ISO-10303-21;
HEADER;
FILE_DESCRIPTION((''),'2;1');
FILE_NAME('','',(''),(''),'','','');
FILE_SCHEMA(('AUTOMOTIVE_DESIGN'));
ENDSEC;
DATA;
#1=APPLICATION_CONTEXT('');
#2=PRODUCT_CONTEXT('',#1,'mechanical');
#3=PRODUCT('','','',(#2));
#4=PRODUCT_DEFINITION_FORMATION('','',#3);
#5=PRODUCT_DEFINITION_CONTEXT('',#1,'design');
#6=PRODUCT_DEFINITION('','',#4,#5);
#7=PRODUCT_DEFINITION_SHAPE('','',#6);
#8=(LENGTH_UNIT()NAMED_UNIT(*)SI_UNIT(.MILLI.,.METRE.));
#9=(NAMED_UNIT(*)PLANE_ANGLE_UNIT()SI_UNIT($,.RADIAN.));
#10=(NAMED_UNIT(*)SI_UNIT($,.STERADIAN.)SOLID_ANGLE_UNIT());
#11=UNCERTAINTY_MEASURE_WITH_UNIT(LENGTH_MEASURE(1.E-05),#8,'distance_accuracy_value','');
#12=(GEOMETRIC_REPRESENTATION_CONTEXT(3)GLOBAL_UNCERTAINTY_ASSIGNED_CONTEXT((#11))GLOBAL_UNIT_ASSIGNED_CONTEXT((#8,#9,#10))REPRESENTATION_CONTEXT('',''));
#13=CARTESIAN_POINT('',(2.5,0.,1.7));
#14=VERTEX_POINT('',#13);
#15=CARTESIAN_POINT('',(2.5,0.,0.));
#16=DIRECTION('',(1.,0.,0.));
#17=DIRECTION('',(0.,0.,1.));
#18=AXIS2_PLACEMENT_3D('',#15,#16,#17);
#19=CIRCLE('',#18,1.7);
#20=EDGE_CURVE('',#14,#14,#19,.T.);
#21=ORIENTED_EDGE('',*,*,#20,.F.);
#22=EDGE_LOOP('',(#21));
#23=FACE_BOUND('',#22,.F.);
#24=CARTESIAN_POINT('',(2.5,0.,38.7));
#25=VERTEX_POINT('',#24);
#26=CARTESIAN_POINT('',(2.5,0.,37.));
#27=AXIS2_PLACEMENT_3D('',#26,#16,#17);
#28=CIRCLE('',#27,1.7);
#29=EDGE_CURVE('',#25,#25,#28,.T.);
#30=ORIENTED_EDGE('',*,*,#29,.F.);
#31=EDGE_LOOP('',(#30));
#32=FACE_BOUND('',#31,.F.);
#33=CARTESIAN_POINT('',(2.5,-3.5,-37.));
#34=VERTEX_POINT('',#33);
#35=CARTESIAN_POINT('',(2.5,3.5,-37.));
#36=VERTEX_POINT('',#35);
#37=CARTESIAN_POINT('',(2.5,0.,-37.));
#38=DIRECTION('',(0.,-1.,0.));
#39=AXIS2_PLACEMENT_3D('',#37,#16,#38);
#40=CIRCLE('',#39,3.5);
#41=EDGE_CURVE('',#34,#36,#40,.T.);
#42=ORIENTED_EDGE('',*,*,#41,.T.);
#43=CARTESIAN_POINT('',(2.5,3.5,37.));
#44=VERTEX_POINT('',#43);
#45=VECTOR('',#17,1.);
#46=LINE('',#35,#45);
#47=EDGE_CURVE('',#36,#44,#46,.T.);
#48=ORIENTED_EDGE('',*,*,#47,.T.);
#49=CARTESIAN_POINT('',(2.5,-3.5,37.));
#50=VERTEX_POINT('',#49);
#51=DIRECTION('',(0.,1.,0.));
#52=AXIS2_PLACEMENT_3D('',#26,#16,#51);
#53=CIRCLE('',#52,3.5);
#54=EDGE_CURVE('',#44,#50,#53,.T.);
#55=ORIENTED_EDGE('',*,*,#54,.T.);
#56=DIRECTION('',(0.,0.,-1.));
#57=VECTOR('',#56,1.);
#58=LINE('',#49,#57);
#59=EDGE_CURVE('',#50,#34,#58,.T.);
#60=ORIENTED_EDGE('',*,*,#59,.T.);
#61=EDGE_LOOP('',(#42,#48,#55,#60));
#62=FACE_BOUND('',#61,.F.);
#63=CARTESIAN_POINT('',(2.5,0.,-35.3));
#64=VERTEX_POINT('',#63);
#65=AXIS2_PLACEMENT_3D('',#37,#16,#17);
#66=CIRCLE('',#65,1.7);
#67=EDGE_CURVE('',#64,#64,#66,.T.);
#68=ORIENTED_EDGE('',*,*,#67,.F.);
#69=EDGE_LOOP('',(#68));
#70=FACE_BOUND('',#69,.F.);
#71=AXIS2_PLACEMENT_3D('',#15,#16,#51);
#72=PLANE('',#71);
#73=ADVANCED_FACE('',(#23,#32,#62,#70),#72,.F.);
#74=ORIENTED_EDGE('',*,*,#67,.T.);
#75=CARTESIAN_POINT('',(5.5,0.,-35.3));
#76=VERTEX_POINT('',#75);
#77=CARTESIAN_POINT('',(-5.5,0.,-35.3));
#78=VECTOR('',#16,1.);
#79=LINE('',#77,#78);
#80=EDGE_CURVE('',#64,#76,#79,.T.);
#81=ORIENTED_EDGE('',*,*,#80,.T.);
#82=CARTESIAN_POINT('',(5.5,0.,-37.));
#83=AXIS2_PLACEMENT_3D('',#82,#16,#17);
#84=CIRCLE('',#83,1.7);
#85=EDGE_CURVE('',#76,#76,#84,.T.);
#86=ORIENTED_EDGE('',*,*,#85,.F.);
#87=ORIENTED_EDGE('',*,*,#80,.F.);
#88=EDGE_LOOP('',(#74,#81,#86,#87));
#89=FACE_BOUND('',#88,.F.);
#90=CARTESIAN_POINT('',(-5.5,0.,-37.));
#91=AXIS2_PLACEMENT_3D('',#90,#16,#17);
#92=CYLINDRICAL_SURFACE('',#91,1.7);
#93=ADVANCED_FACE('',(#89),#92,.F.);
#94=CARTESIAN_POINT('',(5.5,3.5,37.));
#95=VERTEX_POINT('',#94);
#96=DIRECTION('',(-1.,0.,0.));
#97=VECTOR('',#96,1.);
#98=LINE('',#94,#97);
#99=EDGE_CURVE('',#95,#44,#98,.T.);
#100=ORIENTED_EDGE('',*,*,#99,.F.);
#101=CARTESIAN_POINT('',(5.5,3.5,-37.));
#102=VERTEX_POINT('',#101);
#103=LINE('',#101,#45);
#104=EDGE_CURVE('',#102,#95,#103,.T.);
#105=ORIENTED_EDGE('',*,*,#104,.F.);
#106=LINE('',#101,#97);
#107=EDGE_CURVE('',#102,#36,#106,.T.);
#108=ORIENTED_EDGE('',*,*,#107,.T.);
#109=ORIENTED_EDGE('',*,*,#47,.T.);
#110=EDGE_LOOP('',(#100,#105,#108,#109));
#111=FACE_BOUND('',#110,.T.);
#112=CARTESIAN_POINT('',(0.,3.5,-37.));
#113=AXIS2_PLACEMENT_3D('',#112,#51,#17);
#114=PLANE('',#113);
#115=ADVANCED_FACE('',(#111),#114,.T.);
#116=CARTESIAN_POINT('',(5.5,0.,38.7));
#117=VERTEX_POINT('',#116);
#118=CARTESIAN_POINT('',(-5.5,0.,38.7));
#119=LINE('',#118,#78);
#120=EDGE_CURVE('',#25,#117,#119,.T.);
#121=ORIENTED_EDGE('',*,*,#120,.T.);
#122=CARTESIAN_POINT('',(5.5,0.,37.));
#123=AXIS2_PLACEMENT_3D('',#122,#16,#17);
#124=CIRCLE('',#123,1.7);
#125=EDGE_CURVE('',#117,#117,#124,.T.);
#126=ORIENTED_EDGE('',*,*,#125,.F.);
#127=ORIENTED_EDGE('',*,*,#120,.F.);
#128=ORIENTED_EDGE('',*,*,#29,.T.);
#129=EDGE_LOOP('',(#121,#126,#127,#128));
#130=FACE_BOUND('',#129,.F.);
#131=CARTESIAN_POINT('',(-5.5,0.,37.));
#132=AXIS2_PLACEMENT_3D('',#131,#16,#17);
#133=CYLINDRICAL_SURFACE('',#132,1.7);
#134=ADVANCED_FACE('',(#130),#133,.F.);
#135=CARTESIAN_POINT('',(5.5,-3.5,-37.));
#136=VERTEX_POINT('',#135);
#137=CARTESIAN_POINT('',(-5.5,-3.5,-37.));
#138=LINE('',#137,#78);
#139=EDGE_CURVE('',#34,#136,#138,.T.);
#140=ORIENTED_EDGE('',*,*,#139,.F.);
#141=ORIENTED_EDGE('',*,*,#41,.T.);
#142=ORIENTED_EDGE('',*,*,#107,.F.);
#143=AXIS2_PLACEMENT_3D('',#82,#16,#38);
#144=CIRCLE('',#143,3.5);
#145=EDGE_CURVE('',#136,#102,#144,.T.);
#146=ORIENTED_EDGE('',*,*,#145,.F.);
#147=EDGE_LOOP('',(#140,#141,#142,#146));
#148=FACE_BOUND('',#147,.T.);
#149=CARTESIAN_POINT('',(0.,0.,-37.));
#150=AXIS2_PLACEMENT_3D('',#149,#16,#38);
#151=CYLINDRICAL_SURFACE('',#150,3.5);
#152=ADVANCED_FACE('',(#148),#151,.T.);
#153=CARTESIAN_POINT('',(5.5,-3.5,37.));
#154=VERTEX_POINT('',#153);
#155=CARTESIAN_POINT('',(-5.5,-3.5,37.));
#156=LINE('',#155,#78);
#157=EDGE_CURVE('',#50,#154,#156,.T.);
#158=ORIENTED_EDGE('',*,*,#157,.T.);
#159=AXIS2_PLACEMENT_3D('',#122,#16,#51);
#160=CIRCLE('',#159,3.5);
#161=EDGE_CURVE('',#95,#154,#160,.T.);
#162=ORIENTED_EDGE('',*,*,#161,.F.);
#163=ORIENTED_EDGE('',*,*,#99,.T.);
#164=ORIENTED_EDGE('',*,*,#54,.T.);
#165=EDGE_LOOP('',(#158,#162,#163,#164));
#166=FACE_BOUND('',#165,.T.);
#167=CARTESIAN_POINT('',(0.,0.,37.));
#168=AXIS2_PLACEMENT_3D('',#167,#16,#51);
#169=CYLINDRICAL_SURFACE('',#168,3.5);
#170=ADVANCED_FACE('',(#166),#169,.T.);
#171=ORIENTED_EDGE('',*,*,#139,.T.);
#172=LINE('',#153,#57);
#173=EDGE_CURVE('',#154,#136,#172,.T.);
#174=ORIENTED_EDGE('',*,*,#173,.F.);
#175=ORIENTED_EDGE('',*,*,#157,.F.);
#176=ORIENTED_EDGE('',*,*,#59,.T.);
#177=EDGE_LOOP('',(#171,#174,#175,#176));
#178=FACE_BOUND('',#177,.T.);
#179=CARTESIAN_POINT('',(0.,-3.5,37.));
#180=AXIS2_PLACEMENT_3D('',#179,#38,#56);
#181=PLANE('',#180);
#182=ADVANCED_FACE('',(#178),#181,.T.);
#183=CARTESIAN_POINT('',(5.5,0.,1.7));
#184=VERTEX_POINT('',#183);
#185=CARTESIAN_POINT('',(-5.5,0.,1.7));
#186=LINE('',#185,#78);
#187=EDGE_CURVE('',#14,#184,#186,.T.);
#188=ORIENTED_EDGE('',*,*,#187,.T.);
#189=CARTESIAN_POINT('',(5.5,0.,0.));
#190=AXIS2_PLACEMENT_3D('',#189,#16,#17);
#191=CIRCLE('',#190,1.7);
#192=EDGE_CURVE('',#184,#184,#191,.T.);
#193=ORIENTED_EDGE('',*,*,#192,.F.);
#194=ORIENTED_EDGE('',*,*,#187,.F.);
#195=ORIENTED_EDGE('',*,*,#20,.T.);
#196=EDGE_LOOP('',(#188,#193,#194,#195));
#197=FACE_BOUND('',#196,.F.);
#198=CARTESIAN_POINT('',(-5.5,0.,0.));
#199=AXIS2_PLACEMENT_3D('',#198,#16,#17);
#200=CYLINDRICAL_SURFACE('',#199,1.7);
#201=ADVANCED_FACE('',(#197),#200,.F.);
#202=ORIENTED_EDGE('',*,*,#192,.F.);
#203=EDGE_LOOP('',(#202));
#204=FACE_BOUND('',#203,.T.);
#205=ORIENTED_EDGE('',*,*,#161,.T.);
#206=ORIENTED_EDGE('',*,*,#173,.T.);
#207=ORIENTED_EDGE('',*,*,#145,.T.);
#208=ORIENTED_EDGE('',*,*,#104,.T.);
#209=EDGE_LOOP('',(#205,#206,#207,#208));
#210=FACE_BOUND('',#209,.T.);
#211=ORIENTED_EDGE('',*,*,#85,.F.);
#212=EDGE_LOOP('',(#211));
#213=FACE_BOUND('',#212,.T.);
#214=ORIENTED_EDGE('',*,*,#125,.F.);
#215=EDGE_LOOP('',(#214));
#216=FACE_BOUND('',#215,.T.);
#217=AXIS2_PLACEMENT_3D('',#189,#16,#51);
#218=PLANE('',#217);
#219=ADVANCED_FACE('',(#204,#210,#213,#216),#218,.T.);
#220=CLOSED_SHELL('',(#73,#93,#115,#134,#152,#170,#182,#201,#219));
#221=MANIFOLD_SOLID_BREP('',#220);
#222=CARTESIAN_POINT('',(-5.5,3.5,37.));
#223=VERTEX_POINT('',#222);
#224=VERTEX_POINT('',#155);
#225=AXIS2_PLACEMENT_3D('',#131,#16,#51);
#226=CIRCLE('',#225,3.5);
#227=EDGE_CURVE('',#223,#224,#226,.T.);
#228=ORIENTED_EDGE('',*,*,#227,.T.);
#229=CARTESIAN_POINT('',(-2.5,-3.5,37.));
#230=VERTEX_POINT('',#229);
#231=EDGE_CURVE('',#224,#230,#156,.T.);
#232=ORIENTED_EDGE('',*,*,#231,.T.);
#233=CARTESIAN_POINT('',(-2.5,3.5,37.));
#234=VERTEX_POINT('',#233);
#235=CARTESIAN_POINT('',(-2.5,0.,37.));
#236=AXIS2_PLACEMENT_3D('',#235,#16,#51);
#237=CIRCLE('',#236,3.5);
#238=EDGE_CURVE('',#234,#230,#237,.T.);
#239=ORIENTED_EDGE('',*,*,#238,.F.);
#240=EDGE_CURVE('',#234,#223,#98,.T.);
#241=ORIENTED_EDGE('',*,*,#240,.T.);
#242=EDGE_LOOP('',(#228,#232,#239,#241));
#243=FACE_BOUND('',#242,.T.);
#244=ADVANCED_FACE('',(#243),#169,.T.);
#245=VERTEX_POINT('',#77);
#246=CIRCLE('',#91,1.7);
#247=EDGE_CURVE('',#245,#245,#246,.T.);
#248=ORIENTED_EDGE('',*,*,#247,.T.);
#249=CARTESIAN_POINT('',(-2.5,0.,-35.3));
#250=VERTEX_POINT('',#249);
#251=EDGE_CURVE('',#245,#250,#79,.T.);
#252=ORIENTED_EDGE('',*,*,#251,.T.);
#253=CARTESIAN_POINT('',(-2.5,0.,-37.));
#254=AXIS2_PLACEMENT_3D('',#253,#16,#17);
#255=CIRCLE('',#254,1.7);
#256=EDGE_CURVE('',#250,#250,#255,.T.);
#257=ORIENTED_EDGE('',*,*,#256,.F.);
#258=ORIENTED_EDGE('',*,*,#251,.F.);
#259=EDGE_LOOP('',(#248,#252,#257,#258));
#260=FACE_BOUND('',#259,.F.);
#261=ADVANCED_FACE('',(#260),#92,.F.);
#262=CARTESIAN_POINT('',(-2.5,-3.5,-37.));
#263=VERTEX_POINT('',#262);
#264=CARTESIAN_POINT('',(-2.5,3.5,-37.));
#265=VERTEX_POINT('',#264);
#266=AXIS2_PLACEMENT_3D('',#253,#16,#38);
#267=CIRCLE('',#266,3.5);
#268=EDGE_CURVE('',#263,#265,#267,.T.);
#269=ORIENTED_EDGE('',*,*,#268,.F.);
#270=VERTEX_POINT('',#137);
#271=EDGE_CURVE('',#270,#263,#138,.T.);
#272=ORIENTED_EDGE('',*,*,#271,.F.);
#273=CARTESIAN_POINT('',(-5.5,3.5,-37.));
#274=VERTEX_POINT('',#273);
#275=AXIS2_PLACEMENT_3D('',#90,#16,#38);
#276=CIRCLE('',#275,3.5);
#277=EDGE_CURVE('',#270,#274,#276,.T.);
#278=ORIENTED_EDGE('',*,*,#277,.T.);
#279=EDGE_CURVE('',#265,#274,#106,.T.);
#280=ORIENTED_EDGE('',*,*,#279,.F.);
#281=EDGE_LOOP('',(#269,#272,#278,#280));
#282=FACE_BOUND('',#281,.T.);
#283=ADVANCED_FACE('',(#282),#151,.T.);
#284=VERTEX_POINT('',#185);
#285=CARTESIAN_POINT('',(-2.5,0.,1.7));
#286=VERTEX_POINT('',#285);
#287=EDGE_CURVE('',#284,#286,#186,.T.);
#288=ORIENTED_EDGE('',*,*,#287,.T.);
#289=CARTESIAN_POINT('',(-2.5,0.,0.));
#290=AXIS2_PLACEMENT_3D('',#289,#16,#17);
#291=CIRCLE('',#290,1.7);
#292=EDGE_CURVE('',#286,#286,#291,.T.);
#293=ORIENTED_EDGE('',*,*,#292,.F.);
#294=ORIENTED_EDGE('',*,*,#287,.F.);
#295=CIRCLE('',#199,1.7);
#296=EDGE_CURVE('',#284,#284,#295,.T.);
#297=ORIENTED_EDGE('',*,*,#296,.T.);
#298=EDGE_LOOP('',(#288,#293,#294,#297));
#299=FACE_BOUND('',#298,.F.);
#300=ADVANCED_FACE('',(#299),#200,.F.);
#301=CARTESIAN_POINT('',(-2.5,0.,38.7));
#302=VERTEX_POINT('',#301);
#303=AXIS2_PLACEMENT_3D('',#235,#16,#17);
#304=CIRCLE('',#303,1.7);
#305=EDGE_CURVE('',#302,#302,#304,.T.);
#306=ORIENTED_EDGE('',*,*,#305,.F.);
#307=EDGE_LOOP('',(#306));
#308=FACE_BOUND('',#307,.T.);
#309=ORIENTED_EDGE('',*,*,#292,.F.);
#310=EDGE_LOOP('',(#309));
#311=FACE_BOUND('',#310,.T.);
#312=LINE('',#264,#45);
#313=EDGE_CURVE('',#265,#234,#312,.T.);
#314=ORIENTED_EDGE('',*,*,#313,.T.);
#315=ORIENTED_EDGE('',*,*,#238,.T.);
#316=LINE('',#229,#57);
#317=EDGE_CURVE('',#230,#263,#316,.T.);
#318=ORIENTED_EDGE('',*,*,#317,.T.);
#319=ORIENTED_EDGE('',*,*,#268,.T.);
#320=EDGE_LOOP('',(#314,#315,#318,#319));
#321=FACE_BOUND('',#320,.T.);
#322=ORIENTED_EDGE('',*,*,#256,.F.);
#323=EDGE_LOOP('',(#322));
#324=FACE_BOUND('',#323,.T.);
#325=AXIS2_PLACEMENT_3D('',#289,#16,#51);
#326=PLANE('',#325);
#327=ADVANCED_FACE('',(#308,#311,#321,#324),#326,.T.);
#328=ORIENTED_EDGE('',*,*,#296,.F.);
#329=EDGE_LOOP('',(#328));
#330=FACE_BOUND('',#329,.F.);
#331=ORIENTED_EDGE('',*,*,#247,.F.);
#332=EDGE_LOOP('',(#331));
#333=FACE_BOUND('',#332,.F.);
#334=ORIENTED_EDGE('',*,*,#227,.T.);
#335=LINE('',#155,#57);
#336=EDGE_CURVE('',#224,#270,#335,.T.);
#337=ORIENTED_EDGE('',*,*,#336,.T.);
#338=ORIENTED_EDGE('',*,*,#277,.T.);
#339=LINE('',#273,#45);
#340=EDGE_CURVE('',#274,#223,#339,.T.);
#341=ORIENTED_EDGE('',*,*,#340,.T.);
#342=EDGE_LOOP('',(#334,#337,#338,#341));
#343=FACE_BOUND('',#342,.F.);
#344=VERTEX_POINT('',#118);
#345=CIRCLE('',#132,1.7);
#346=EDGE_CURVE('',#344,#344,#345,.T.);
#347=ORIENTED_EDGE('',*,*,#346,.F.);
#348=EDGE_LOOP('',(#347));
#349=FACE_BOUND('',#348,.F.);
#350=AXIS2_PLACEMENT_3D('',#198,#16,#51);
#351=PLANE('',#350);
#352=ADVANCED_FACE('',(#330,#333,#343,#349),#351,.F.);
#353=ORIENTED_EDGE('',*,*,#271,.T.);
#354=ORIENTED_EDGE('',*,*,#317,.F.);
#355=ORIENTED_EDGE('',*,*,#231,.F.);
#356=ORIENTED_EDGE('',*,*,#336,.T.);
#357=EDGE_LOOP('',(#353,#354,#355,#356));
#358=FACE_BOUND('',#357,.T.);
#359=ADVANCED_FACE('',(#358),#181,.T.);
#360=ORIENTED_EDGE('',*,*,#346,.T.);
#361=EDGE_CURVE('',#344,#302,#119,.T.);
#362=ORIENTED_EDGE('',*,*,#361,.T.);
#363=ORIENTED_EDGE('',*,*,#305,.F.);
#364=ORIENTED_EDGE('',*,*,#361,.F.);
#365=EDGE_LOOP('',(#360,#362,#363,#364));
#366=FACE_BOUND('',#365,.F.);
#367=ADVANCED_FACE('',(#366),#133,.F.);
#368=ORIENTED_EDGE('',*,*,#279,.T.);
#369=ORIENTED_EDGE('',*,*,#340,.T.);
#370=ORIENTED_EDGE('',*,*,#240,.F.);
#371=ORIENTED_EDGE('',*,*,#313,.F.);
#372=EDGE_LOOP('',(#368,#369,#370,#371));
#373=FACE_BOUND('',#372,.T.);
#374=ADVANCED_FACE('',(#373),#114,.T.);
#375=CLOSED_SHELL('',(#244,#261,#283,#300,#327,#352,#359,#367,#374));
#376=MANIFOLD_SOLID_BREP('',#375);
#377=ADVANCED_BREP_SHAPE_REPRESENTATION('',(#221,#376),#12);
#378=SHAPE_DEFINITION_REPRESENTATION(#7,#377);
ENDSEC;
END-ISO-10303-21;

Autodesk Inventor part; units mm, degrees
ref_plane "YZ Plane" through (0, 0, 0) normal (1, 0, 0) x (0, 1, 0)
ref_plane "XZ Plane" through (0, 0, 0) normal (0, 1, 0) x (-1, 0, 0)
ref_plane "XY Plane" through (0, 0, 0) normal (0, 0, 1) x (1, 0, 0)
sketch "Sketch1" plane through (0, 0, 0) normal (1, 0, 0) x (0, 1, 0)
  line L0 (0, 37) -> (0, -37) construction
  line L1 (-3.5, 37) -> (-3.5, -37)
  line L2 (3.5, -37) -> (3.5, 37)
  arc A0 (3.5, 37) -> (-3.5, 37) centre (0, 37) ccw
  arc A1 (-3.5, -37) -> (3.5, -37) centre (0, -37) ccw
  circle A2 centre (0, -37) radius 1.5
  circle A3 centre (0, 37) radius 1.5
  circle A4 centre (0, 0) radius 1.5
  point P0 (0, 40.5)
  point P1 (0, -40.5)
  dimension "d14" = 7
  dimension "d15" = 81
  dimension "d16" = 3
  dimension "d29" = 0
extrude "Extrusión3" add sketch "Sketch1" along normal mid plane 11 contours A0 L2 A1 L1 | A2 | A3 | A4
extrude "Extrusión4" cut sketch "Sketch1" along normal mid plane 5 contours A0 L2 A1 L1 | A4
sketch "Boceto2" plane through (-5.5, 0, 0) normal (-1, 0, 0) x (0, 0, 1)
  circle A0 centre (37, 0) radius 1.5 projected
  circle A1 centre (-37, 0) radius 1.5 projected
  point P0 (0, 0)
  point P1 (0, 0)
hole "Agujero1" at (-5.5, 0, 37) at (-5.5, 0, -37) at (-5.5, 0, 0) direction (1, 0, 0) diameter 3.4 end through all clearance for "Tornillo de cabeza plana avellanada ISO 2009/7046" size "M3" standard "ISO"
sketch "Boceto3" plane through (-5.5, 0, 0) normal (-1, 0, 0) x (0, 0, 1)
  point P0 (37, 0)
hole "Agujero2" at (-5.5, 0, 37) direction (1, 0, 0) diameter 3.4 depth 3
sketch "Boceto4" plane through (5.5, 0, 0) normal (1, 0, 0) x (0, 0, -1)
  point P0 (-37, 0)
hole "Agujero3" at (5.5, 0, 37) direction (-1, 0, 0) diameter 3.4 depth 3
properties part number "Corredera I" material "Aluminum 7075"
